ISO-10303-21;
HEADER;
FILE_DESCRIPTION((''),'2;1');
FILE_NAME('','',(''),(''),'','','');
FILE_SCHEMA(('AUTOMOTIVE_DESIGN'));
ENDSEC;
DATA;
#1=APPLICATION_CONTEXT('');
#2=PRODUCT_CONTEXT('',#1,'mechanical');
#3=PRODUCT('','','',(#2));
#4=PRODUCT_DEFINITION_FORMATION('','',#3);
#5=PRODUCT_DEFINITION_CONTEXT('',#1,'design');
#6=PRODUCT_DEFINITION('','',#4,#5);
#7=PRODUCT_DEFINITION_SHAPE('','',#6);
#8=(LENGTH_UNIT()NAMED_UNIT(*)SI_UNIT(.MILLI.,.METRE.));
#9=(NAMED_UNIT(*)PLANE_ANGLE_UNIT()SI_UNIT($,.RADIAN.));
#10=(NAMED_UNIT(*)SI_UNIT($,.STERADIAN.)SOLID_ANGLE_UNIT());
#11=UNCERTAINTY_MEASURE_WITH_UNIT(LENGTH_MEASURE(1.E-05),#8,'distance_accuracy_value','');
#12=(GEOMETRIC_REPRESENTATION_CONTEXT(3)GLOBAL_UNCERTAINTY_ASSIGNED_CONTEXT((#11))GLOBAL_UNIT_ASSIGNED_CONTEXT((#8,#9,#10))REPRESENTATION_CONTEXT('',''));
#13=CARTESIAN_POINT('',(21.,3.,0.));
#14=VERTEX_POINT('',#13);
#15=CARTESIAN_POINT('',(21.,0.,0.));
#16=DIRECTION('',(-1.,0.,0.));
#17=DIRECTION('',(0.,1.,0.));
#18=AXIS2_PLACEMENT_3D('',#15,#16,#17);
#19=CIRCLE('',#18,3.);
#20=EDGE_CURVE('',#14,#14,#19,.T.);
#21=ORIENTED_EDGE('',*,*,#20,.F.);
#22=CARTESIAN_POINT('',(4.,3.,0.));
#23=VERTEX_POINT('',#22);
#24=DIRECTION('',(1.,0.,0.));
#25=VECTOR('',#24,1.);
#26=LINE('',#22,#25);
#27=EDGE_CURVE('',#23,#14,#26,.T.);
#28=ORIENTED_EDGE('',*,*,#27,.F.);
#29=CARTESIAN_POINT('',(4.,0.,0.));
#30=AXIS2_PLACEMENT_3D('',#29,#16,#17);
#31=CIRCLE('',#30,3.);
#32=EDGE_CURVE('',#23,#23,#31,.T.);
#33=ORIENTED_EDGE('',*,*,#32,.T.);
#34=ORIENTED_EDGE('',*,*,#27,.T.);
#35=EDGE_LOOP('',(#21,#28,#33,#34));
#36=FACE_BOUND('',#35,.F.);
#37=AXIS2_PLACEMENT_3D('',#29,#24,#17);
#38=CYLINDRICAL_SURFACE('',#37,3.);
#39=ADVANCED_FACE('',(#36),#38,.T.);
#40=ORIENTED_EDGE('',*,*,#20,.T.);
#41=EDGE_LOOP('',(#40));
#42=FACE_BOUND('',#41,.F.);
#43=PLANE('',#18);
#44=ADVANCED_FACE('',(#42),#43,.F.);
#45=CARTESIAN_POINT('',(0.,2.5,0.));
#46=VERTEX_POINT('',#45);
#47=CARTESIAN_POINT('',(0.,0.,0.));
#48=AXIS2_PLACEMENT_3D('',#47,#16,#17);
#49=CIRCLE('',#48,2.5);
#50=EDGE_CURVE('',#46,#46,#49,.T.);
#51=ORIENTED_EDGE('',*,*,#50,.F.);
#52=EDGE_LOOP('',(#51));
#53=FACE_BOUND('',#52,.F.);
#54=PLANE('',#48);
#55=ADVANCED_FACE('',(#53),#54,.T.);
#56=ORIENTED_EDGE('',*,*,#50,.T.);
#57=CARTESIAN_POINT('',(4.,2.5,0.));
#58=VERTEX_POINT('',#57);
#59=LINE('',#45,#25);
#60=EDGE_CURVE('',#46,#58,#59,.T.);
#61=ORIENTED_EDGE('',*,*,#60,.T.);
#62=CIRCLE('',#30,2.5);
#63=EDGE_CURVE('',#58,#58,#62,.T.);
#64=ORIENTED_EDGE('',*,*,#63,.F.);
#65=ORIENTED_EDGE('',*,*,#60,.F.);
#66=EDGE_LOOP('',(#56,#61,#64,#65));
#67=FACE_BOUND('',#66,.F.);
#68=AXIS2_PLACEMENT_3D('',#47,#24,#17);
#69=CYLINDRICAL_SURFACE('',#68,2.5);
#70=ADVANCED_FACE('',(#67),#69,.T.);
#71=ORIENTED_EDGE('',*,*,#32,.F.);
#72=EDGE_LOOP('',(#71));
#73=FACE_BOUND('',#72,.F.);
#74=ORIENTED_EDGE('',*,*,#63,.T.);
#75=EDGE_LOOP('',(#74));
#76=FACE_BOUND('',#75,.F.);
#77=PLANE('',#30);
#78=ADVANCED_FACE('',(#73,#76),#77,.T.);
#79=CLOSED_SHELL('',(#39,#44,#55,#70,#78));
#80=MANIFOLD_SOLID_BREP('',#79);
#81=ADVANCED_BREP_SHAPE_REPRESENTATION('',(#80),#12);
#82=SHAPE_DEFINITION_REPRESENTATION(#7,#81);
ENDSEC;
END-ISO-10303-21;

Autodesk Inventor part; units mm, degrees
ref_plane "YZ Plane" through (0, 0, 0) normal (1, 0, 0) x (0, 1, 0)
ref_plane "XZ Plane" through (0, 0, 0) normal (0, 1, 0) x (-1, 0, 0)
ref_plane "XY Plane" through (0, 0, 0) normal (0, 0, 1) x (1, 0, 0)
sketch "Sketch1" plane through (0, 0, 0) normal (0, 0, 1) x (1, 0, 0)
  line L0 (0, 0) -> (0, 2.5)
  line L1 (0, 2.5) -> (4, 2.5)
  line L2 (4, 2.5) -> (4, 3)
  line L3 (4, 3) -> (21, 3)
  line L4 (21, 3) -> (21, 0)
  line L5 (21, 0) -> (0, 0)
  dimension "d0" = 21
  dimension "d1" = 4
  dimension "d2" = 5
  dimension "d3" = 6
revolve "Revolution1" add sketch "Sketch1" angle 360 about axis through (21, 0, 0) along (-1, 0, 0)
properties part number "welle 21"
